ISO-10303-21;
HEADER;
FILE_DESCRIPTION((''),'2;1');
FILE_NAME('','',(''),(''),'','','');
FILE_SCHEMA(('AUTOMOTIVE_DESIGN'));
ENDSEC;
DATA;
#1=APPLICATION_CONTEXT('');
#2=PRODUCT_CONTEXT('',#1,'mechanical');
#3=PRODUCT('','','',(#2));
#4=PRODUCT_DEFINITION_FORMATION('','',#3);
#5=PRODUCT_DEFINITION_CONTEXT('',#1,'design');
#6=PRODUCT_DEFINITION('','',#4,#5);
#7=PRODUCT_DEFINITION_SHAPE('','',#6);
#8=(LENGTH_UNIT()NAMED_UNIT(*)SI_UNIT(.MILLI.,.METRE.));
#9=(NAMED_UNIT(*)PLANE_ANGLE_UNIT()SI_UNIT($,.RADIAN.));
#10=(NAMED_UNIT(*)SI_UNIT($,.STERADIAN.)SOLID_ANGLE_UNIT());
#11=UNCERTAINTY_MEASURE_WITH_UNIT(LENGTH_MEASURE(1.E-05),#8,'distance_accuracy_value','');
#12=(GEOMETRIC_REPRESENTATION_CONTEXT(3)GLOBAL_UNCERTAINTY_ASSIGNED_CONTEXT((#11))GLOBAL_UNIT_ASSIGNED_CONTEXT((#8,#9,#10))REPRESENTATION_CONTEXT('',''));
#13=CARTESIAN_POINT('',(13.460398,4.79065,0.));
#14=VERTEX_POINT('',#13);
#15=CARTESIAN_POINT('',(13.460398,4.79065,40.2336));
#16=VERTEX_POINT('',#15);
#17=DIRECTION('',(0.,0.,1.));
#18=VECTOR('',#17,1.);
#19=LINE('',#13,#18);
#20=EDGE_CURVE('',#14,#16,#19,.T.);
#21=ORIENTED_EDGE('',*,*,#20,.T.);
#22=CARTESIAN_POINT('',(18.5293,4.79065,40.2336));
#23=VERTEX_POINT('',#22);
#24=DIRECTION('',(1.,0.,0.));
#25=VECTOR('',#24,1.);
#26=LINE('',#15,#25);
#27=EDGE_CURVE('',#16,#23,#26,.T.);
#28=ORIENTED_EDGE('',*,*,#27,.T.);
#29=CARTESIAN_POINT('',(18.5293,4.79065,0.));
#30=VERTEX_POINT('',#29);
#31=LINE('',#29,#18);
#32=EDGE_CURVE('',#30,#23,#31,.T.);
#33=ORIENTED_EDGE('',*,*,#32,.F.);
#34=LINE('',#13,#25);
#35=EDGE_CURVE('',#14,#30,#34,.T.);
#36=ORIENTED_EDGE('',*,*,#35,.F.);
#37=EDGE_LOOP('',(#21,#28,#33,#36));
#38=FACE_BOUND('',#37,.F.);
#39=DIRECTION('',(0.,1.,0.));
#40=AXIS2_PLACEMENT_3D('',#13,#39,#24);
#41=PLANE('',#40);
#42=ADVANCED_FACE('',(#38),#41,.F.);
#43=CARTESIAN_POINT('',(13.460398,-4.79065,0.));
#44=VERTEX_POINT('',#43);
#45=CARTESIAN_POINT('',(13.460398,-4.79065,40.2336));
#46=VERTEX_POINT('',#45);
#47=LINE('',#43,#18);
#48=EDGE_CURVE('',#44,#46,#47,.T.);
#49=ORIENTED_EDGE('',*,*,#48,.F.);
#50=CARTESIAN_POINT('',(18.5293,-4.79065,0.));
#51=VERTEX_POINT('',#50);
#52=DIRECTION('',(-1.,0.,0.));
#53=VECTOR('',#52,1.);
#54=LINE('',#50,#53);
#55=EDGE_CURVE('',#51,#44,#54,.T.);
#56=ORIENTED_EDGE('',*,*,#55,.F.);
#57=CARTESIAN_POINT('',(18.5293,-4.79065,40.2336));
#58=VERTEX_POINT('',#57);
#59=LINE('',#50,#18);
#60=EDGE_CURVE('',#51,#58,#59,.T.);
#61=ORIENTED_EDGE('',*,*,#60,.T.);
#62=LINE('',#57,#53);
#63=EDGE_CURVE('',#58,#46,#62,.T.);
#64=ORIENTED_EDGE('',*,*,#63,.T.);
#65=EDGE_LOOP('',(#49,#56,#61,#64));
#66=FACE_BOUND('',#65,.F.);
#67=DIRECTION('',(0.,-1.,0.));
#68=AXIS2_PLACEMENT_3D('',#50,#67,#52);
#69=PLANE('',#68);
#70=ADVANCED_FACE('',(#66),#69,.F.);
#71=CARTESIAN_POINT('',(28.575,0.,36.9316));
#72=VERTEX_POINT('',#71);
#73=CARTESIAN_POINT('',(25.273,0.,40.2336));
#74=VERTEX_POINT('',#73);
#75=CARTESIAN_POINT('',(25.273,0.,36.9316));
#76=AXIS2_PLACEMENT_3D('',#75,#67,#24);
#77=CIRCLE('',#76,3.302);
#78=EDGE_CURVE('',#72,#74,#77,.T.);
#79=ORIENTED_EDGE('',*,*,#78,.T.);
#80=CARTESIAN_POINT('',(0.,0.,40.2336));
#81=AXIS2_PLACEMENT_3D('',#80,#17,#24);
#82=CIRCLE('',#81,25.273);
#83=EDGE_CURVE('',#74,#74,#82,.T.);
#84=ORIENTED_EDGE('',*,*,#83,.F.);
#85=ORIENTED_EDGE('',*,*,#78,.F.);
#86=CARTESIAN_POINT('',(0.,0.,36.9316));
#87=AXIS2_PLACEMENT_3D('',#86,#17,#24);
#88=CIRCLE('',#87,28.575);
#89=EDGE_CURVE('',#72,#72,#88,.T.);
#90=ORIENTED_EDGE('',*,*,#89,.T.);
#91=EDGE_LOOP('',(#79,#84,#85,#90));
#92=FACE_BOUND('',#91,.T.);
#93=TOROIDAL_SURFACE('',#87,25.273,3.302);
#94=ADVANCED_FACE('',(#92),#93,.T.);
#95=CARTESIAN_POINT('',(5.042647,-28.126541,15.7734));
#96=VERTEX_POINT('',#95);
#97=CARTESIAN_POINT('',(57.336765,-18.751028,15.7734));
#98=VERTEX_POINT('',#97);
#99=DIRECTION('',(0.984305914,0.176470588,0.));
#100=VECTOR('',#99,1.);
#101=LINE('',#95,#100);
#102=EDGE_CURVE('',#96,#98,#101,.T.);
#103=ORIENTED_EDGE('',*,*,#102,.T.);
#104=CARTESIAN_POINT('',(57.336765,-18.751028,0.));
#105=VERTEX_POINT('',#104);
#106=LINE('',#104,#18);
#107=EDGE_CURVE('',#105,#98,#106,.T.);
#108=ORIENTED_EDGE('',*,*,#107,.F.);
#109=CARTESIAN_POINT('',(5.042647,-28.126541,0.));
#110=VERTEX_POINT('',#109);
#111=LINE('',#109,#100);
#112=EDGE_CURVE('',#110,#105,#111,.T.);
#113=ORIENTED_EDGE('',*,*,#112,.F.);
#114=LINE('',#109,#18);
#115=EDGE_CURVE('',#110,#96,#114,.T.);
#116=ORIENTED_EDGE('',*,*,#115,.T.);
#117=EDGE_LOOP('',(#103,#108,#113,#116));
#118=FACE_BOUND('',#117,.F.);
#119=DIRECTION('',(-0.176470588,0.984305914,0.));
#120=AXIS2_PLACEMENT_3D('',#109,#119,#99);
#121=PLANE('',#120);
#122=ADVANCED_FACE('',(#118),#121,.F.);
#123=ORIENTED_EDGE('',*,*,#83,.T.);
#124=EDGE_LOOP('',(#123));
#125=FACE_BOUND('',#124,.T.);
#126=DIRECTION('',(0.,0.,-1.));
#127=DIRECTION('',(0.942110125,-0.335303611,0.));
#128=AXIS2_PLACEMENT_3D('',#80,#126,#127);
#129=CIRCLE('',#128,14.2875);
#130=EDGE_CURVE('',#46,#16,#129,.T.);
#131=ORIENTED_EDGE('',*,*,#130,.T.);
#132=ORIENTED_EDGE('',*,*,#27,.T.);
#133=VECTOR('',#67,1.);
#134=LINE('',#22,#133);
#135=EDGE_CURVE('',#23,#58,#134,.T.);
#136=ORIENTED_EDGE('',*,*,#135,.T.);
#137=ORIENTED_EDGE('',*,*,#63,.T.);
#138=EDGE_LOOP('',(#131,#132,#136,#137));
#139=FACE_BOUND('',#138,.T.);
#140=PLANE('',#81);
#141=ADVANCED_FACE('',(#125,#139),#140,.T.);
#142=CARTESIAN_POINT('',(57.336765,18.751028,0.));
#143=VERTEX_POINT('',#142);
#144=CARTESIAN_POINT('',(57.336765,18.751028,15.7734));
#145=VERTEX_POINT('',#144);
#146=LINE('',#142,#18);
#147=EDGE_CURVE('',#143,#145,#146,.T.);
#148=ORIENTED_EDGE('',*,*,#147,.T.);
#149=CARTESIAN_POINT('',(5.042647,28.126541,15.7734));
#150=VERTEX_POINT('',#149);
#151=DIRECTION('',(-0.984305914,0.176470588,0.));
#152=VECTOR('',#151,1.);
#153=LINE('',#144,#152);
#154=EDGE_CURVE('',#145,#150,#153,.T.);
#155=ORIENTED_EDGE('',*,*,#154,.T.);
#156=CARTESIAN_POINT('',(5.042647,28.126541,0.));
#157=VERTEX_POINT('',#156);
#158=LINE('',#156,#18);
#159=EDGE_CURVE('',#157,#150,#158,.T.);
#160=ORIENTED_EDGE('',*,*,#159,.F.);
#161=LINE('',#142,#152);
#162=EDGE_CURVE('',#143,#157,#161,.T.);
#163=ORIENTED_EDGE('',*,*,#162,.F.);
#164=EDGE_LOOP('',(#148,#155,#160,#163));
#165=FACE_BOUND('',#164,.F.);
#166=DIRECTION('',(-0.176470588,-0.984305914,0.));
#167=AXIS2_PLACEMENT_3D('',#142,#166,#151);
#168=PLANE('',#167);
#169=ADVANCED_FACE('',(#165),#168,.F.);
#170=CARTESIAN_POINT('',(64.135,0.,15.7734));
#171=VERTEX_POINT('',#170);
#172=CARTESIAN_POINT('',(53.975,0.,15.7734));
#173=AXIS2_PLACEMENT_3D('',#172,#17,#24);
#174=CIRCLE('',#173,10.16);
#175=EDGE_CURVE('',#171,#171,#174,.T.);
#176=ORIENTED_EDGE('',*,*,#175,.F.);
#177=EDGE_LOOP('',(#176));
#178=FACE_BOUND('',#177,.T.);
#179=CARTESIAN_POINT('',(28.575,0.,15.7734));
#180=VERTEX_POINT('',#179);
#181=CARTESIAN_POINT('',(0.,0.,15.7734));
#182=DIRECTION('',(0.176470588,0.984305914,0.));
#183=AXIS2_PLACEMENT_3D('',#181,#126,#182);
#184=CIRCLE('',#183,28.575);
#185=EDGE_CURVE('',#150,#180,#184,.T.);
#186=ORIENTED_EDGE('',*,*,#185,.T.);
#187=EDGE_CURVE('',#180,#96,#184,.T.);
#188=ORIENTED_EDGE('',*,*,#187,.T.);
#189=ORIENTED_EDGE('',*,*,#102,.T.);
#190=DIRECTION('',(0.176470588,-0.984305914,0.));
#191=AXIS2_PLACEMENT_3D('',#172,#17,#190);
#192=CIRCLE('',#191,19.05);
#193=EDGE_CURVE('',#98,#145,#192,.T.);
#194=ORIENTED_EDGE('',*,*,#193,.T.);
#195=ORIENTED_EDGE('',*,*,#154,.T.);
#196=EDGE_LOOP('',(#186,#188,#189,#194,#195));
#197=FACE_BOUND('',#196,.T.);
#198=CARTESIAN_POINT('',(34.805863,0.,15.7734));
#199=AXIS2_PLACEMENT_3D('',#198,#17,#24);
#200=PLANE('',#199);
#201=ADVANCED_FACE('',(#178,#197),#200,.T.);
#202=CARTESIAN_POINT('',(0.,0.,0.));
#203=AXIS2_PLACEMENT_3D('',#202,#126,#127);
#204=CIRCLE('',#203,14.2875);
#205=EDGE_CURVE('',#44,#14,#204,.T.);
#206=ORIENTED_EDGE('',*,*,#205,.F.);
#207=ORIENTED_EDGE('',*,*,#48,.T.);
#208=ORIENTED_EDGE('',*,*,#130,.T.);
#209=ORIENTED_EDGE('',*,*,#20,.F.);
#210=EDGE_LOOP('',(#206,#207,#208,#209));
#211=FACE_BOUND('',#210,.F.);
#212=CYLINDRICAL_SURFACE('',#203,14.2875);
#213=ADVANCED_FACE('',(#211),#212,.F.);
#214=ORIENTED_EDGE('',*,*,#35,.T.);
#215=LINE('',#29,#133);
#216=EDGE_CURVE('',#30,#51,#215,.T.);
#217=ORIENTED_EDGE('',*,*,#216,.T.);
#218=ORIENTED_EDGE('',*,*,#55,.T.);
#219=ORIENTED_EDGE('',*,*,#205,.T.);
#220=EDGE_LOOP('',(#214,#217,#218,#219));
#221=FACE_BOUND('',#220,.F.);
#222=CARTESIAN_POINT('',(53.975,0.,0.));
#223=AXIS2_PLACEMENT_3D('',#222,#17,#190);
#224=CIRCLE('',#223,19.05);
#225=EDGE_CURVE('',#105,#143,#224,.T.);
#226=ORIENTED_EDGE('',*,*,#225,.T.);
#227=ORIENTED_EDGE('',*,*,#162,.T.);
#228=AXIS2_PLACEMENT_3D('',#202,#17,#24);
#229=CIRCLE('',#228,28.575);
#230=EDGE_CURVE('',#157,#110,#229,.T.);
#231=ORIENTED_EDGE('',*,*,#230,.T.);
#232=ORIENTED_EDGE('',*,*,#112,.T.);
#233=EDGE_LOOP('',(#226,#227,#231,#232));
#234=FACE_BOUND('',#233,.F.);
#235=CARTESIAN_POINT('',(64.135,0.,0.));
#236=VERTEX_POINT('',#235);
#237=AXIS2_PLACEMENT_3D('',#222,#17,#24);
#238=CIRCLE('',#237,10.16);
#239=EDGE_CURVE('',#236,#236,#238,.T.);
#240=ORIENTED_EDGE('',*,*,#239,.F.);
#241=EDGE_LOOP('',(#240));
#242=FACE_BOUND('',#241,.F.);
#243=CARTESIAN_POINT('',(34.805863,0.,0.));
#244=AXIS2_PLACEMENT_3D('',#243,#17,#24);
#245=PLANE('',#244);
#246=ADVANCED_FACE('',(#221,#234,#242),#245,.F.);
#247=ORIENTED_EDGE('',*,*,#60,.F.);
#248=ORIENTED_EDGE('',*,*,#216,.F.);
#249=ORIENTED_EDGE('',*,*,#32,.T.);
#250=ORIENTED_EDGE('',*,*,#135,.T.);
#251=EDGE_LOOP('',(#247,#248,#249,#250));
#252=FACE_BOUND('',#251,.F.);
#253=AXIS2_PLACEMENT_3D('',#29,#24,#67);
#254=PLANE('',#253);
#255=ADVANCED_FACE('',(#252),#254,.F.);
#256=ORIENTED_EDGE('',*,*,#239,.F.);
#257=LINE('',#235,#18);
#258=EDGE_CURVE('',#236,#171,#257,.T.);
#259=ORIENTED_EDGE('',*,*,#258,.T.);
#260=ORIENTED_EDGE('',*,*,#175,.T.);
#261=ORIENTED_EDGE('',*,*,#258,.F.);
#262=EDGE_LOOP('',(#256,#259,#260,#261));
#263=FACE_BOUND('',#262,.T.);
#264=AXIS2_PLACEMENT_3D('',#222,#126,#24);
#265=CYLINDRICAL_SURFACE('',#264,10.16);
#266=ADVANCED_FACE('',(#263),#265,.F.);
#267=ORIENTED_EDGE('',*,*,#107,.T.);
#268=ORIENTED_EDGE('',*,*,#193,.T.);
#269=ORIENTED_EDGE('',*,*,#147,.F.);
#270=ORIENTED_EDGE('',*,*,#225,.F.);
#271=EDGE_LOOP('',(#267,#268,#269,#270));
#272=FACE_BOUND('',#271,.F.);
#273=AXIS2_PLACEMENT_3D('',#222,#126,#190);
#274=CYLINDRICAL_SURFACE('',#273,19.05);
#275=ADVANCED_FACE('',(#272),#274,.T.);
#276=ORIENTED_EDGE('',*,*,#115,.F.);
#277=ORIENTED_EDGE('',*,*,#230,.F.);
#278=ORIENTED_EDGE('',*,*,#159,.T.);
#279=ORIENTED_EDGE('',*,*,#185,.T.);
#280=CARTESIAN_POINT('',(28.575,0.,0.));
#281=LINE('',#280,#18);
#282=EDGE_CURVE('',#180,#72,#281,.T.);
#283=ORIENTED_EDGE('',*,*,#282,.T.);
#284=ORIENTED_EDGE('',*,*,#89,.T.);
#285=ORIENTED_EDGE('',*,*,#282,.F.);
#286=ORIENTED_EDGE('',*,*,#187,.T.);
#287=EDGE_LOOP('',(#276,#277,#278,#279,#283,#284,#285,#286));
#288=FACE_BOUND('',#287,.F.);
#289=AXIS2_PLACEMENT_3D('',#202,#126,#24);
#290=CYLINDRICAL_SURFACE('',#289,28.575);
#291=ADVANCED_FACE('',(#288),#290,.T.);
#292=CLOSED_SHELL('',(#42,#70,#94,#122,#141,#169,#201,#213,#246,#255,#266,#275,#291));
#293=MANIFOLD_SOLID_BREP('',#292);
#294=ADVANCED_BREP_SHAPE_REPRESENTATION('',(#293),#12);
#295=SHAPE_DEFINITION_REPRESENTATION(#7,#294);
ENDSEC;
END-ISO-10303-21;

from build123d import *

# Parameters (mm, degrees)
F0_R     = 28.575
F1_DEPTH = 40.2336
F2_R     = 10.16
F3_DEPTH = 15.7734
F4_R     = 3.302


with BuildPart() as f1:
    # F0 (on Top) → F1 (new body)
    with BuildSketch(Plane.XY):
        Circle(F0_R)
        with BuildLine():
            ThreePointArc((13.4603984155, -4.790650347), (-14.2875, 0), (13.4603984155, 4.790650347))
            Line((13.4603984155, 4.790650347), (18.5293, 4.790650347))
            Line((18.5293, 4.790650347), (18.5293, 0.035349653))
            Line((18.5293, 0.035349653), (18.5293, -0.035349653))
            Line((18.5293, -0.035349653), (18.5293, -4.790650347))
            Line((18.5293, -4.790650347), (13.4603984155, -4.790650347))
        make_face(mode=Mode.SUBTRACT)
    extrude(amount=F1_DEPTH)

    # F2 (on Top) → F3 (join)
    with BuildSketch(Plane.XY):
        with BuildLine():
            Line((5.0426470588, -28.1265414802), (57.3367647059, -18.7510276535))
            ThreePointArc((57.3367647059, -18.7510276535), (73.025, 0), (57.3367647059, 18.7510276535))
            Line((57.3367647059, 18.7510276535), (5.0426470588, 28.1265414802))
            ThreePointArc((5.0426470588, 28.1265414802), (21.9160245563, 18.3362616868), (28.575, 0))
            ThreePointArc((28.575, 0), (21.9160245563, -18.3362616868), (5.0426470588, -28.1265414802))
        make_face()
        with Locations((53.975, 0)):
            Circle(F2_R, mode=Mode.SUBTRACT)
    extrude(amount=F3_DEPTH)

    # F4
    f4_edges = [f1.edges().sort_by_distance(p)[0] for p in [
        (-28.575, 0, 40.2336),
    ]]
    fillet(f4_edges, radius=F4_R)


solid = f1.part
